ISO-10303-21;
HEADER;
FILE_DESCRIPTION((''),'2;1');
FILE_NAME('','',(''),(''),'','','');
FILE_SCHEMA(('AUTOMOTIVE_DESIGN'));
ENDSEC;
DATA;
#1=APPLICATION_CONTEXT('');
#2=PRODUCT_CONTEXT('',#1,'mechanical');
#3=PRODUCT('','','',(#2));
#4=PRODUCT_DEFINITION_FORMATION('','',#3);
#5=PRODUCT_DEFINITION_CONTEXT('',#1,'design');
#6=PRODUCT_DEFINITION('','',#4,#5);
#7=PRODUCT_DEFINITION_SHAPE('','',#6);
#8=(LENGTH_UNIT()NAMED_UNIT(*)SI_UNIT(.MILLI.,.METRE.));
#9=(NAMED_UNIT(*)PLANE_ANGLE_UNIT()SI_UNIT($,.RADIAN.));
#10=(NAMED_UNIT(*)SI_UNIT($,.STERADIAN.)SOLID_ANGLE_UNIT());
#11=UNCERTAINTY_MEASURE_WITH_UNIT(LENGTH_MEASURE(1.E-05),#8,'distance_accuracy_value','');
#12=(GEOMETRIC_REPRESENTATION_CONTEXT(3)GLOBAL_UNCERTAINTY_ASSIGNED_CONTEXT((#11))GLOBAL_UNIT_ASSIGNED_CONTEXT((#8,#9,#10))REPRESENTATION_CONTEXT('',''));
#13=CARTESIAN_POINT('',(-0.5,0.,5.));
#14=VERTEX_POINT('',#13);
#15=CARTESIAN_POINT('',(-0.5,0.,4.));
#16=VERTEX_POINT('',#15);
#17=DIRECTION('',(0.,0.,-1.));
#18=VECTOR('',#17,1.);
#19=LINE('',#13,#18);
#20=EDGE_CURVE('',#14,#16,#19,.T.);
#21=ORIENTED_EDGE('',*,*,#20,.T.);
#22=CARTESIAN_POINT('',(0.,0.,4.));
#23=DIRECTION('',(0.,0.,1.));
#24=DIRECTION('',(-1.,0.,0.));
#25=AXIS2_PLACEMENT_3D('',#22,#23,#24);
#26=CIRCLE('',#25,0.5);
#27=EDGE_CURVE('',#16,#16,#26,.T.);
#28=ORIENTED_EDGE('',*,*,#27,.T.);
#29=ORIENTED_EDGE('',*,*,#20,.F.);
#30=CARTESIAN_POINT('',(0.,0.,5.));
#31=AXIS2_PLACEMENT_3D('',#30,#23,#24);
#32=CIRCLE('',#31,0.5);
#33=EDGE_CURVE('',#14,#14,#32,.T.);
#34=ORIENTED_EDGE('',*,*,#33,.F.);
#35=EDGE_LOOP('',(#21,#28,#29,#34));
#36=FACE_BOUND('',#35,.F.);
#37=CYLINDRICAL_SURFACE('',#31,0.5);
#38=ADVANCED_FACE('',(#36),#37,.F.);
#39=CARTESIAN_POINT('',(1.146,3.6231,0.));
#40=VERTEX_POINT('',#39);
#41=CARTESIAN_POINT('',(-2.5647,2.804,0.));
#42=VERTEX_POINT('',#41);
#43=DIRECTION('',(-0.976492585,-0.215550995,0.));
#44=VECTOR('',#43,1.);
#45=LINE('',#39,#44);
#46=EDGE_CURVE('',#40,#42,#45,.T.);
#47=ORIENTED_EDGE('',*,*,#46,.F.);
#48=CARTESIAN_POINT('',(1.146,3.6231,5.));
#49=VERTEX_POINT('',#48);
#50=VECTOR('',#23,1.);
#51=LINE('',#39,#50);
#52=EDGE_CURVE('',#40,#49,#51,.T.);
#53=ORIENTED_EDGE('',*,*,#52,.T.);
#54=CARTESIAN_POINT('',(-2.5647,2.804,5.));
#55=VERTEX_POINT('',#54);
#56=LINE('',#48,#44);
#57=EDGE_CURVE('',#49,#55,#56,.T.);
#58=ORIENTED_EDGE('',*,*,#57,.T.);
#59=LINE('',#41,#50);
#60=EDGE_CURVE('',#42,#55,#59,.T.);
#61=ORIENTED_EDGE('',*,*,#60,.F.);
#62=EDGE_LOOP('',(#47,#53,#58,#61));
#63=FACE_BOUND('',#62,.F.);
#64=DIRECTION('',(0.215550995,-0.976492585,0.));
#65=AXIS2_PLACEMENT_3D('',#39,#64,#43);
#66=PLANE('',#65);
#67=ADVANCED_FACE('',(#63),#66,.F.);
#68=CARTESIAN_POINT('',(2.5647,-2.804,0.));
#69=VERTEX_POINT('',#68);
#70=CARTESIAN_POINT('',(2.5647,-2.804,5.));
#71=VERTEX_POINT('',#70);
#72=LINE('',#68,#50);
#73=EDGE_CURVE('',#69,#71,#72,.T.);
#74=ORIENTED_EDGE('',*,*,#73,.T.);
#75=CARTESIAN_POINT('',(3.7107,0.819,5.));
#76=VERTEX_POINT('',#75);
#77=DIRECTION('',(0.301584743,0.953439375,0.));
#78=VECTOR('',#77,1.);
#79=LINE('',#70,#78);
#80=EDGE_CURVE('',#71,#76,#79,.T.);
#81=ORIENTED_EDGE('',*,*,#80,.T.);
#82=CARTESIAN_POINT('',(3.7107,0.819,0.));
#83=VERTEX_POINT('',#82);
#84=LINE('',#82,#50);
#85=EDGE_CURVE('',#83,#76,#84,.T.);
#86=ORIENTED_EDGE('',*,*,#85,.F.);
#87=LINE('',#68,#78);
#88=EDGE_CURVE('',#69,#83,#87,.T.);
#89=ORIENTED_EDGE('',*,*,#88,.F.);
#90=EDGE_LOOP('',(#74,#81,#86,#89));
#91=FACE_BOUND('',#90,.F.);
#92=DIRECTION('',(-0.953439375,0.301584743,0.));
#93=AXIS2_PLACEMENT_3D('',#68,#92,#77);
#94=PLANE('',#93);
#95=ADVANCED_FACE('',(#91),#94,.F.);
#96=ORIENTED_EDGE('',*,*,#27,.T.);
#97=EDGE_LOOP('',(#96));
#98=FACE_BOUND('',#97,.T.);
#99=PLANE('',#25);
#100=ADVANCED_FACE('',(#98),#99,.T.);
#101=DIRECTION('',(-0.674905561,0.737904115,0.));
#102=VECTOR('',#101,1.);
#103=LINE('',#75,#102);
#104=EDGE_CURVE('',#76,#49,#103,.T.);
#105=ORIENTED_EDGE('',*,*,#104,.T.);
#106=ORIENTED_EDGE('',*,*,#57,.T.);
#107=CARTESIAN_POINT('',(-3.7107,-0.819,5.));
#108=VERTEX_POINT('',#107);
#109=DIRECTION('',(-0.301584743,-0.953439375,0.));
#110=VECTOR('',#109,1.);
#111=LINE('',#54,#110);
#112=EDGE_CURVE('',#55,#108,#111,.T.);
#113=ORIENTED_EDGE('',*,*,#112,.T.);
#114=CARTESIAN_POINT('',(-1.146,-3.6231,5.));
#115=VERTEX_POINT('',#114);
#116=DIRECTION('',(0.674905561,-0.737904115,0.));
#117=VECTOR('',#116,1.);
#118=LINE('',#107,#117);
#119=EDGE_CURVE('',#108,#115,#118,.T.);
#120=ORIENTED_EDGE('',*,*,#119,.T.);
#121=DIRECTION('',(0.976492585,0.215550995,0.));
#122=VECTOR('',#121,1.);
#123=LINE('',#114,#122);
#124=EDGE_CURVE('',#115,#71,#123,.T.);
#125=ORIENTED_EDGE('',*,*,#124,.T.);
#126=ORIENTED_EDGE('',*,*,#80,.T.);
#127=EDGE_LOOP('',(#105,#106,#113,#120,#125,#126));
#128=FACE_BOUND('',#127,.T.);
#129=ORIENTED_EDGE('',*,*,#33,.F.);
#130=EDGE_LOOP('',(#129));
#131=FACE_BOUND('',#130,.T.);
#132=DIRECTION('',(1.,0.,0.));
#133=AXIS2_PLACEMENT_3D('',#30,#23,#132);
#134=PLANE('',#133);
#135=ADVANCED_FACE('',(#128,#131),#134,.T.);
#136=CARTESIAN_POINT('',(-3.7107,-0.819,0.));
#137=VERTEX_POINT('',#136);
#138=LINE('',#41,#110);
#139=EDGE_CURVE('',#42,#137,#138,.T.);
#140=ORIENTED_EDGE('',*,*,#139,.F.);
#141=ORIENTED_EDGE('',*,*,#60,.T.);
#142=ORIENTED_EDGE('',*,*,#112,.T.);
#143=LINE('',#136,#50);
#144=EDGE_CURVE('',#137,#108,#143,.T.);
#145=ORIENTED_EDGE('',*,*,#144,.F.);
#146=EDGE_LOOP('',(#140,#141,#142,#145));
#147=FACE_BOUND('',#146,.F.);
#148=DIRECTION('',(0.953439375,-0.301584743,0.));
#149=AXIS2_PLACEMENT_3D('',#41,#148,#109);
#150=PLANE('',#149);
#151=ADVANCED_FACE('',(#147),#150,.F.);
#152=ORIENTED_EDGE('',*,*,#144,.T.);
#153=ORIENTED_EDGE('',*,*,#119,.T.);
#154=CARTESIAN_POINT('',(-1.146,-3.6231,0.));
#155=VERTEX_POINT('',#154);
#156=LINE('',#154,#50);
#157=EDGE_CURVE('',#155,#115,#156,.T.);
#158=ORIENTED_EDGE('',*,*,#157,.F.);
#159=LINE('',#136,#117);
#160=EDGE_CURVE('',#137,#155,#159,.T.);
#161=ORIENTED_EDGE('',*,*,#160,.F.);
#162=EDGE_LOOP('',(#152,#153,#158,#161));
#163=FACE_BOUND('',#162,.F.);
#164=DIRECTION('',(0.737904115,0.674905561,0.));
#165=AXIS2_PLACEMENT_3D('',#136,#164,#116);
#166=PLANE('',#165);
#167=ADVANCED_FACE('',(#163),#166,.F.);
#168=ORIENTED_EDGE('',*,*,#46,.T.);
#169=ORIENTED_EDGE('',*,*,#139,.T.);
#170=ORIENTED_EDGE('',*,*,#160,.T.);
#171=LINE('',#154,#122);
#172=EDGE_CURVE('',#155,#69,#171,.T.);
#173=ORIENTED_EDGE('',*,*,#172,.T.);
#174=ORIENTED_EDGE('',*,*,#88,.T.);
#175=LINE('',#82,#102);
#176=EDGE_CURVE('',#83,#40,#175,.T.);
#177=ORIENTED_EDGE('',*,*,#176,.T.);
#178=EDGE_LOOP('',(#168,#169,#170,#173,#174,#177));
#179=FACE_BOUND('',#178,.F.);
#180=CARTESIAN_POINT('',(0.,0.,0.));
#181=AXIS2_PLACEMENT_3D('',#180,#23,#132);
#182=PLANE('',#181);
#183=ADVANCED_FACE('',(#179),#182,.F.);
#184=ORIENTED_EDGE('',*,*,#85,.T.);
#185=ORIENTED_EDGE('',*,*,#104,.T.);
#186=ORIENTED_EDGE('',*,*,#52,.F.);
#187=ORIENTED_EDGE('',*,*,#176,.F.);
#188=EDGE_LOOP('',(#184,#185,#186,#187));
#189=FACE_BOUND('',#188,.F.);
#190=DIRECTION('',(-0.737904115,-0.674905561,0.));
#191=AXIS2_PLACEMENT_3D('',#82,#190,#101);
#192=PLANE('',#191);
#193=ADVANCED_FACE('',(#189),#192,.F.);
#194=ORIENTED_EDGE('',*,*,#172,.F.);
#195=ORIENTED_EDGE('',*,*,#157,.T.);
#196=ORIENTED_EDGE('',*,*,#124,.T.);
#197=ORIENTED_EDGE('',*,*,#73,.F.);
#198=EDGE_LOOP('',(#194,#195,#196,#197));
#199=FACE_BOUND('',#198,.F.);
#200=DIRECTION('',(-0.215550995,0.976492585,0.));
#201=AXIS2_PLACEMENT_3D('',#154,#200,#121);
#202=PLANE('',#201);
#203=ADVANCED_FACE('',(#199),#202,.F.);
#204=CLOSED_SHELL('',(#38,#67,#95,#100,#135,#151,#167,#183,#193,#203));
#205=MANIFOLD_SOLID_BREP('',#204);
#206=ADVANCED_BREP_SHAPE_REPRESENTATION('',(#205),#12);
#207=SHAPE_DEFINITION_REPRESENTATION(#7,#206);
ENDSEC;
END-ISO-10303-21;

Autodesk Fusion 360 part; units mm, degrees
sketch "Sketch1" plane through (0, 0, 0) normal (0, 0, 1) x (1, 0, 0)
  line L0 (2.5647, -2.804) -> (3.7107, 0.819)
  line L1 (3.7107, 0.819) -> (1.146, 3.6231)
  line L2 (1.146, 3.6231) -> (-2.5647, 2.804)
  line L3 (-2.5647, 2.804) -> (-3.7107, -0.819)
  line L4 (-3.7107, -0.819) -> (-1.146, -3.6231)
  line L5 (-1.146, -3.6231) -> (2.5647, -2.804)
  dimension "d1" = 3.8
extrude "Extrude1" add sketch "Sketch1" along normal blind 5
sketch "Sketch2" plane through (0, 0, 5) normal (0, 0, 1) x (-1, 0, 0)
  line L0 (1.146, 3.6231) -> (-2.5647, 2.804)
  line L1 (-2.5647, 2.804) -> (-3.7107, -0.819)
  line L2 (-3.7107, -0.819) -> (-1.146, -3.6231)
  line L3 (-1.146, -3.6231) -> (2.5647, -2.804)
  line L4 (2.5647, -2.804) -> (3.7107, 0.819)
  line L5 (3.7107, 0.819) -> (1.146, 3.6231)
  circle A0 centre (0, 0) radius 0.5
  dimension "d6" = 1
extrude "Extrude3" cut sketch "Sketch2" against normal blind 1 contours A0
equation "d1 = polygon_side"
equation "d2 = polygon_height"
equation "polygon_side = 3.8 mm"
equation "polygon_height = 5 mm"
equation "d6 = nail_radius * 2"
equation "nail_radius = 0.5 mm"
equation "nail_depth = 1 mm"
equation "d11 = -nail_depth"
